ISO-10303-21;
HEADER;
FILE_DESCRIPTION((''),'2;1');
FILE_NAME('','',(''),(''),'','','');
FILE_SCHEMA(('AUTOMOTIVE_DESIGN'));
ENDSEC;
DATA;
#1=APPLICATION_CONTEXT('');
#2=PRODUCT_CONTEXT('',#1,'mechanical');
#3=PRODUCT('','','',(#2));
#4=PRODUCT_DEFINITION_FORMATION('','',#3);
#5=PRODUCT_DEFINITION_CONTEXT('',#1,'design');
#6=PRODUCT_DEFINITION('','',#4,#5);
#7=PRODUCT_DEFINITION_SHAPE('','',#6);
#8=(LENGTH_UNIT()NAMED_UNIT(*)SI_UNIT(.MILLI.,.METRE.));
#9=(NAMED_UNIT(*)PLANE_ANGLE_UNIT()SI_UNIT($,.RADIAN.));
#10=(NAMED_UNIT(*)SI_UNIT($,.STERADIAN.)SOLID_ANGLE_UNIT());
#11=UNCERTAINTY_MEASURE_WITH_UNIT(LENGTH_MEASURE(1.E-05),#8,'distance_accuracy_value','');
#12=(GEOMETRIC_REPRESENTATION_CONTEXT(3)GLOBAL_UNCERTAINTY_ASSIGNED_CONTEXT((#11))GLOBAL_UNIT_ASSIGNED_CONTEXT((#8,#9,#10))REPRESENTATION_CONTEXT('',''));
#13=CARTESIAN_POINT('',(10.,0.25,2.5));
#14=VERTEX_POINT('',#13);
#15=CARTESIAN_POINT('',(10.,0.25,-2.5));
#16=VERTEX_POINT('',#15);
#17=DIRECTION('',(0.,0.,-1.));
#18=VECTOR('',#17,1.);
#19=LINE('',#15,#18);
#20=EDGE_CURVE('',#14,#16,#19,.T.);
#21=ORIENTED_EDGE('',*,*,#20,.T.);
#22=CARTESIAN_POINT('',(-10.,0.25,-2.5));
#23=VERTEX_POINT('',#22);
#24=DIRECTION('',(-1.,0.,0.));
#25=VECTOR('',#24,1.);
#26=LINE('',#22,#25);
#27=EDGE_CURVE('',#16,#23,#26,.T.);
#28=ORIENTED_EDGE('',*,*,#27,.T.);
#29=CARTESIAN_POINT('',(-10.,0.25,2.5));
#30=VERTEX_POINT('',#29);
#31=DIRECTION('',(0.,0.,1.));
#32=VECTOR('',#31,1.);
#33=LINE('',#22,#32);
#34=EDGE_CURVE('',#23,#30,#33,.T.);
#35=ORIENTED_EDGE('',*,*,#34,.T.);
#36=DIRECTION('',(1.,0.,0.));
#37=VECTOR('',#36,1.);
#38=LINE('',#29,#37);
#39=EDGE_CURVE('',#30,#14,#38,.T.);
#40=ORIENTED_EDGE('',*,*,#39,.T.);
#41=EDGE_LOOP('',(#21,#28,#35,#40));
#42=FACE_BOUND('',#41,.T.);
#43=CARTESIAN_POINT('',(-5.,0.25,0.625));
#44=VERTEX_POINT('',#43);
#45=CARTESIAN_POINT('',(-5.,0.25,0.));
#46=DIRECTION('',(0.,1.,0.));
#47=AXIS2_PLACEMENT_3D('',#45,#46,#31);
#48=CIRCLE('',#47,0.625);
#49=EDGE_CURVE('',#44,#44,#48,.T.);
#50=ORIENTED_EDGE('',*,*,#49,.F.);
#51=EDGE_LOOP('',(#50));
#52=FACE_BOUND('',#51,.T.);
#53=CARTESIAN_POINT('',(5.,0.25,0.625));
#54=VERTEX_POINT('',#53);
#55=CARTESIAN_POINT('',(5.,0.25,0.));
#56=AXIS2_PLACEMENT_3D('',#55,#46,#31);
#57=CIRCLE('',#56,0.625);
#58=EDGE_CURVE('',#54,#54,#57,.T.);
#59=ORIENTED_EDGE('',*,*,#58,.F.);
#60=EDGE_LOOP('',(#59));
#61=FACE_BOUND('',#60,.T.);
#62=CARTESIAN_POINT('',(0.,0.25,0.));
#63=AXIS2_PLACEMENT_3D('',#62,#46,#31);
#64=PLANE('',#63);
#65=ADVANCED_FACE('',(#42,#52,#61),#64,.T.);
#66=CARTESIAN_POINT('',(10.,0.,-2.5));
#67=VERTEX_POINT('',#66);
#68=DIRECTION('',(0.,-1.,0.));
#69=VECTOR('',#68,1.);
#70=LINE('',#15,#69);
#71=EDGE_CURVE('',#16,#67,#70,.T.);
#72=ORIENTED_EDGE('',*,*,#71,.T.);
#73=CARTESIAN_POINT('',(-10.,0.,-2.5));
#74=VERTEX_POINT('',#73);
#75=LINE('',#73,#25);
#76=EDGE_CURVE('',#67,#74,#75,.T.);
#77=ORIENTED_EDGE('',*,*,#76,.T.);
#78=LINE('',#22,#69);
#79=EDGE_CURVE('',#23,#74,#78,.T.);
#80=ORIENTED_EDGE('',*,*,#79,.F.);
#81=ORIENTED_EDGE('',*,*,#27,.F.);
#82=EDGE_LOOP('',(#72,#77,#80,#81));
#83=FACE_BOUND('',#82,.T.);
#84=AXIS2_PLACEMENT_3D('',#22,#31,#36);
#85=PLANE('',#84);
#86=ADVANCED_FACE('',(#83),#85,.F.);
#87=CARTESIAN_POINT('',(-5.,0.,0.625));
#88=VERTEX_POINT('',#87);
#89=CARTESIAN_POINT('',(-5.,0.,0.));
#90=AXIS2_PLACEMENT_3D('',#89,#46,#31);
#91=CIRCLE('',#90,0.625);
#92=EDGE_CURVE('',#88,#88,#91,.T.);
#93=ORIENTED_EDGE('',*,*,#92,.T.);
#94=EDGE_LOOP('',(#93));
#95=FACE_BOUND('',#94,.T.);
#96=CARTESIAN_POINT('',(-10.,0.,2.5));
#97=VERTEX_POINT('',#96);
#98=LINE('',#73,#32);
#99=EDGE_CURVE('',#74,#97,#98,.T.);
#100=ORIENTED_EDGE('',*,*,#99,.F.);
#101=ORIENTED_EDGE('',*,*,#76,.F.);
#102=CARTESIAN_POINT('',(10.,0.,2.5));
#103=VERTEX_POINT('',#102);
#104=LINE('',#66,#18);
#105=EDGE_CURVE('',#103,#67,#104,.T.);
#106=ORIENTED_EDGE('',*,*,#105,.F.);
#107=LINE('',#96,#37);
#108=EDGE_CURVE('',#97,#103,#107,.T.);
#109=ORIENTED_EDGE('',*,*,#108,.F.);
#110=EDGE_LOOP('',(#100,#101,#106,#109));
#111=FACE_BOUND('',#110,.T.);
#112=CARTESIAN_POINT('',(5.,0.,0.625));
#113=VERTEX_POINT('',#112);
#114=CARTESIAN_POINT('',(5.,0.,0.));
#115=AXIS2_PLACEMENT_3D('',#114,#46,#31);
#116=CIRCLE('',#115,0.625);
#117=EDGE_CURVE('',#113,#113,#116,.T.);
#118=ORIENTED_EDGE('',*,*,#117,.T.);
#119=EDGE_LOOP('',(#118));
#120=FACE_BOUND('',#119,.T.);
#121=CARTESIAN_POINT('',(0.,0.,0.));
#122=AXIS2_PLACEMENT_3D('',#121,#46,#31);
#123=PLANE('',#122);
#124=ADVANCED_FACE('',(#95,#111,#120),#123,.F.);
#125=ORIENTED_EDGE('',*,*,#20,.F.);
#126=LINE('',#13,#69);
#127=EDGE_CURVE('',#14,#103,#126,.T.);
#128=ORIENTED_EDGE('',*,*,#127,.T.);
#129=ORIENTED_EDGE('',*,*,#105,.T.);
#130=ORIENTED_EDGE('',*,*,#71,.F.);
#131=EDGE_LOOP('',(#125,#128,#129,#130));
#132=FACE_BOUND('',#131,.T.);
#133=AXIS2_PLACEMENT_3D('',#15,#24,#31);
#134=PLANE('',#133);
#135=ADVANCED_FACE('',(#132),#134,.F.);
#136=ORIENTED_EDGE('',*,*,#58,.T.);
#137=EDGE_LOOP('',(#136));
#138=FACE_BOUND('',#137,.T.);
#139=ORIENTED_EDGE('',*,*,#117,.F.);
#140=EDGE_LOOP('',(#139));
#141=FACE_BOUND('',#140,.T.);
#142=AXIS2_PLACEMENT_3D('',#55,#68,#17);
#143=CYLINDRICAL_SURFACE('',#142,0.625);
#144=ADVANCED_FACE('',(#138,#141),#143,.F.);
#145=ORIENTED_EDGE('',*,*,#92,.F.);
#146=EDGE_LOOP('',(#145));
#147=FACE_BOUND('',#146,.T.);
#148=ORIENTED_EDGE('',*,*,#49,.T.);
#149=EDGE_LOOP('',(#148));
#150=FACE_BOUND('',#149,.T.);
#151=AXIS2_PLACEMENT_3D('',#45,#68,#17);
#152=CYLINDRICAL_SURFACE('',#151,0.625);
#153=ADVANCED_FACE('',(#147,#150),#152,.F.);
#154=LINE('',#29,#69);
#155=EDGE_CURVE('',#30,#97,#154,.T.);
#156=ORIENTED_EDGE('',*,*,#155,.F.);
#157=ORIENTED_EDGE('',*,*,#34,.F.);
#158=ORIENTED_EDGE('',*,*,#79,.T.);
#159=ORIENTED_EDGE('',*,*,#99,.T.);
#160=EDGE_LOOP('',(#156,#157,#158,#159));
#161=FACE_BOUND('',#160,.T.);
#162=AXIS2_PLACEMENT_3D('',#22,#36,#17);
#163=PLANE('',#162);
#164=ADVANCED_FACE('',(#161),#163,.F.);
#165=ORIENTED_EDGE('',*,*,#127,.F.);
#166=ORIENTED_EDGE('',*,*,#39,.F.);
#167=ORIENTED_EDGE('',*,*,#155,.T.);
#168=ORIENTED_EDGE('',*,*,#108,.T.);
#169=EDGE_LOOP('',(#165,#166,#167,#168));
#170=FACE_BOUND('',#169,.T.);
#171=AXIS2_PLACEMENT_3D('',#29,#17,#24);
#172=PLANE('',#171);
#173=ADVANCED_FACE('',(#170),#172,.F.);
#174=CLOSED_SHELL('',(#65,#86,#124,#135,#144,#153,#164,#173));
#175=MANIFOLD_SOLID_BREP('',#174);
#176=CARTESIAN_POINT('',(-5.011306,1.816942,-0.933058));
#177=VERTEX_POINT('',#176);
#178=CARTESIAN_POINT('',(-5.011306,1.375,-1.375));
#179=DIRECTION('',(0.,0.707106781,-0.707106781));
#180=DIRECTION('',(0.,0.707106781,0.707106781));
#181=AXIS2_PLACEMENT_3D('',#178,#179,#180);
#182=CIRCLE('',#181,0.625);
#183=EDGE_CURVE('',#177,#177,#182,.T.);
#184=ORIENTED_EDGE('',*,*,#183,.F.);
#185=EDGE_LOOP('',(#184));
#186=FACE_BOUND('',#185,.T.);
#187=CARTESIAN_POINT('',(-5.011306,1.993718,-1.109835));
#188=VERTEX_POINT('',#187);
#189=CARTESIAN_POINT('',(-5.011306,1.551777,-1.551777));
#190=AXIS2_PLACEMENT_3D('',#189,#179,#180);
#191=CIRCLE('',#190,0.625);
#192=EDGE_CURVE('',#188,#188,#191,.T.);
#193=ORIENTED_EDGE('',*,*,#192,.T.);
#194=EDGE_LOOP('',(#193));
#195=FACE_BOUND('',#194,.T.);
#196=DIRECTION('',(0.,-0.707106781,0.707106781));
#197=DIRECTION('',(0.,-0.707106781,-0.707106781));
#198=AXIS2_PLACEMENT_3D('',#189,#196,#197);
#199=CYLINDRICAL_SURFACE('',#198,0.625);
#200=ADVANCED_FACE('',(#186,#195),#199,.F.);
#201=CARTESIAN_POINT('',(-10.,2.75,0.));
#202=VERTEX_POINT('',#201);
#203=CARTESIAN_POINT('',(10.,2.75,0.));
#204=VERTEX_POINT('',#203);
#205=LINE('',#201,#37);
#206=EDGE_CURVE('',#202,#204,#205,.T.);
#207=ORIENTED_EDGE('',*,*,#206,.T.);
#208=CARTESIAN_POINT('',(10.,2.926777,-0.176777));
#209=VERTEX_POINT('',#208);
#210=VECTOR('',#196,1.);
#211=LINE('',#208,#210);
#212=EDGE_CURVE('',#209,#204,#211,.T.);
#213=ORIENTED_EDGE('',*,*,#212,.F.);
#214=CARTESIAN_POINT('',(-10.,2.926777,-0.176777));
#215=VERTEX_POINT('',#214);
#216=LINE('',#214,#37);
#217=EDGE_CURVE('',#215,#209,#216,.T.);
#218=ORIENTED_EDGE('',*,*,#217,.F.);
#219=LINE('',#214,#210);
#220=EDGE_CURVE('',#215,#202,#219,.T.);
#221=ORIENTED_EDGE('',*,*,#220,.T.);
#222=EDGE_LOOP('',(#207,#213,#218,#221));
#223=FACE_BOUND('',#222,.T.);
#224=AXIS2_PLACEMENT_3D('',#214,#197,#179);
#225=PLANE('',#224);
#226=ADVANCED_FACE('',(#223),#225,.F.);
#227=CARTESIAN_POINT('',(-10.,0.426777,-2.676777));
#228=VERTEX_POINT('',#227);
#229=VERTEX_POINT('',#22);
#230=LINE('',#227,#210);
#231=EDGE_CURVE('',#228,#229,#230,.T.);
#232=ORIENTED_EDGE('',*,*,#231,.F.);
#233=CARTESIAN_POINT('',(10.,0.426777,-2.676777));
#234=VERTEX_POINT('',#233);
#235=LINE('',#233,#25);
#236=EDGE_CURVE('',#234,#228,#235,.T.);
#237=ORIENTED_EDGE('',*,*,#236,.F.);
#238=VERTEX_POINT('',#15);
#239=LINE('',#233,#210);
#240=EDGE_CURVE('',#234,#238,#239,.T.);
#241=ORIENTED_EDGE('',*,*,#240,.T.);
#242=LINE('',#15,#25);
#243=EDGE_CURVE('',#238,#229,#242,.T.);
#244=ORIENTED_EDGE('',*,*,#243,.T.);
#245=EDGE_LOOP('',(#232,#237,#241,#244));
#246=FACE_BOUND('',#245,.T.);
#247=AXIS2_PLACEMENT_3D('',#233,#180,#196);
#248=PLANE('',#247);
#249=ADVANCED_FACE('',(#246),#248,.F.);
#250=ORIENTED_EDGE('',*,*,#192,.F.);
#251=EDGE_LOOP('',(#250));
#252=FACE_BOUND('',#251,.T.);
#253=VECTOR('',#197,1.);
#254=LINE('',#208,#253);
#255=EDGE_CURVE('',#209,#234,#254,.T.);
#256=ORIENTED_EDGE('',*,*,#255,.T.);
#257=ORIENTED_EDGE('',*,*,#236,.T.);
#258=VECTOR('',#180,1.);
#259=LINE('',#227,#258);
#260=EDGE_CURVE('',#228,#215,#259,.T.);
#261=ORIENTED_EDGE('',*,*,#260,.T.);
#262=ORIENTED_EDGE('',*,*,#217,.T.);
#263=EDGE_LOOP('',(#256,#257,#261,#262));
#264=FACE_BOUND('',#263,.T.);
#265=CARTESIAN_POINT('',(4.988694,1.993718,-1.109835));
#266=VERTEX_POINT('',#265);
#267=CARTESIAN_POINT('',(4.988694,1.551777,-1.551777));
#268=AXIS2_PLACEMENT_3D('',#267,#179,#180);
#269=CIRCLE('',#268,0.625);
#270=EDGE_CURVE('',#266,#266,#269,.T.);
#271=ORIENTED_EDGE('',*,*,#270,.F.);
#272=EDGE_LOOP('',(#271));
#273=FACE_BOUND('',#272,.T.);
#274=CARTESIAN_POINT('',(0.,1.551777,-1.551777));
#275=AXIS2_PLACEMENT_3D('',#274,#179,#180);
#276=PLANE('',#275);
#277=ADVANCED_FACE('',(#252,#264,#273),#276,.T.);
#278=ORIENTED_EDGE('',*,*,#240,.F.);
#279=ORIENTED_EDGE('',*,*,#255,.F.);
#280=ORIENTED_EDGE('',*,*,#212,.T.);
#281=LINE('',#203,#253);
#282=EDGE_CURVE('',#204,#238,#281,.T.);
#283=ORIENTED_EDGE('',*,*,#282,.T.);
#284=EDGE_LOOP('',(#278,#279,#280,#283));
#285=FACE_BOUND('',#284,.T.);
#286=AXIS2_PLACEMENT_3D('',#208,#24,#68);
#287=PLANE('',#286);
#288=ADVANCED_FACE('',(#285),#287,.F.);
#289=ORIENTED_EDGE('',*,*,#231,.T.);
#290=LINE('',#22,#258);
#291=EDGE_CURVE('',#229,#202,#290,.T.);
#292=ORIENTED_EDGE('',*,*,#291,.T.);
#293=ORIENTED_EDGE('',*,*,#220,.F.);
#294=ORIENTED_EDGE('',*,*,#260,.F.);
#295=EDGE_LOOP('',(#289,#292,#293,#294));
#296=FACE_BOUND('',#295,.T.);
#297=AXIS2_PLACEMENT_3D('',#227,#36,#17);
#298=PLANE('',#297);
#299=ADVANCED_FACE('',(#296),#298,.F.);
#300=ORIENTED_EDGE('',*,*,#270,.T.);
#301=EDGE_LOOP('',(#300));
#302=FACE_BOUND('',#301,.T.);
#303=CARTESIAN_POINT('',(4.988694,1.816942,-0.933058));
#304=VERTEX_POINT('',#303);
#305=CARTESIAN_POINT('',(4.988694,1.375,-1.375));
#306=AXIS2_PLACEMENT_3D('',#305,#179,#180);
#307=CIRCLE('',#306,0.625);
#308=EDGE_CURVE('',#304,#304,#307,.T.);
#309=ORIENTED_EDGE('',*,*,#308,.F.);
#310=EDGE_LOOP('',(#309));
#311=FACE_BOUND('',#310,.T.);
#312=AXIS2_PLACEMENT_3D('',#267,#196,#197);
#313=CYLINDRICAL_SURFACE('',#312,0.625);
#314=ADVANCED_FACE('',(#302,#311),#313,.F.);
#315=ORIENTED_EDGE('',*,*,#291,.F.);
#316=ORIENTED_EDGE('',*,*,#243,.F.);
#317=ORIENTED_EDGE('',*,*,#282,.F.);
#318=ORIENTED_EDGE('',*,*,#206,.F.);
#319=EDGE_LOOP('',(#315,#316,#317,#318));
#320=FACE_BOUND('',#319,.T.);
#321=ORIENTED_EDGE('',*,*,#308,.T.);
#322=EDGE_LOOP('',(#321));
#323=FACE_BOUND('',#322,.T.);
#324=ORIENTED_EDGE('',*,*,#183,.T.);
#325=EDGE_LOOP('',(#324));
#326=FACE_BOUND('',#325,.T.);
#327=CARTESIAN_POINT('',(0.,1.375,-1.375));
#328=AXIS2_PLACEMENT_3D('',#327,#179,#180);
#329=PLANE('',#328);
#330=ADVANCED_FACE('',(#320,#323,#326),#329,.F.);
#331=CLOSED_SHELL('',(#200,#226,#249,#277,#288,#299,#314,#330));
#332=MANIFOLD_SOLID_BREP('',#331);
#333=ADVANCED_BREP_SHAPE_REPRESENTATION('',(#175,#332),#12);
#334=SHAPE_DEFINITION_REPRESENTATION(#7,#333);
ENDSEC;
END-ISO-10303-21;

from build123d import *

# Parameters (mm, degrees)
SKETCH2_W           = 20
SKETCH2_H           = 5
SKETCH2_R           = 0.625
BOSS_EXTRUDE1_DEPTH = 0.25
SKETCH5_W           = 20
SKETCH5_H           = 3.535533906
SKETCH5_R           = 0.625
BOSS_EXTRUDE5_DEPTH = 0.25


with BuildPart() as part:
    # Sketch2 → Boss-Extrude1 (new body)
    with BuildSketch(Plane(origin=(0, 0, 0), x_dir=(1, 0, 0), z_dir=(0, 1, 0))):
        Rectangle(SKETCH2_W, SKETCH2_H)
        with Locations(Location((-5, 0, 0), (0, 0, 270))):
            Circle(SKETCH2_R, mode=Mode.SUBTRACT)
        with Locations(Location((5, 0, 0), (0, 0, 270))):
            Circle(SKETCH2_R, mode=Mode.SUBTRACT)
    extrude(amount=BOSS_EXTRUDE1_DEPTH)


with BuildPart() as body_2:
    # Sketch5 → Boss-Extrude5 (new body)
    with BuildSketch(Plane(origin=(0, 1.375, -1.375), x_dir=(-1, 0, 0), z_dir=(0, 0.7071067811865464, -0.7071067811865488))):
        with Locations((0, 0.176776695)):
            Rectangle(SKETCH5_W, SKETCH5_H)
        with Locations(Location((-4.98869427, 0, 0), (0, 0, 90))):
            Circle(SKETCH5_R, mode=Mode.SUBTRACT)
        with Locations(Location((5.01130573, 0, 0), (0, 0, 90))):
            Circle(SKETCH5_R, mode=Mode.SUBTRACT)
    extrude(amount=BOSS_EXTRUDE5_DEPTH)


solid = Compound([part.part, body_2.part])
